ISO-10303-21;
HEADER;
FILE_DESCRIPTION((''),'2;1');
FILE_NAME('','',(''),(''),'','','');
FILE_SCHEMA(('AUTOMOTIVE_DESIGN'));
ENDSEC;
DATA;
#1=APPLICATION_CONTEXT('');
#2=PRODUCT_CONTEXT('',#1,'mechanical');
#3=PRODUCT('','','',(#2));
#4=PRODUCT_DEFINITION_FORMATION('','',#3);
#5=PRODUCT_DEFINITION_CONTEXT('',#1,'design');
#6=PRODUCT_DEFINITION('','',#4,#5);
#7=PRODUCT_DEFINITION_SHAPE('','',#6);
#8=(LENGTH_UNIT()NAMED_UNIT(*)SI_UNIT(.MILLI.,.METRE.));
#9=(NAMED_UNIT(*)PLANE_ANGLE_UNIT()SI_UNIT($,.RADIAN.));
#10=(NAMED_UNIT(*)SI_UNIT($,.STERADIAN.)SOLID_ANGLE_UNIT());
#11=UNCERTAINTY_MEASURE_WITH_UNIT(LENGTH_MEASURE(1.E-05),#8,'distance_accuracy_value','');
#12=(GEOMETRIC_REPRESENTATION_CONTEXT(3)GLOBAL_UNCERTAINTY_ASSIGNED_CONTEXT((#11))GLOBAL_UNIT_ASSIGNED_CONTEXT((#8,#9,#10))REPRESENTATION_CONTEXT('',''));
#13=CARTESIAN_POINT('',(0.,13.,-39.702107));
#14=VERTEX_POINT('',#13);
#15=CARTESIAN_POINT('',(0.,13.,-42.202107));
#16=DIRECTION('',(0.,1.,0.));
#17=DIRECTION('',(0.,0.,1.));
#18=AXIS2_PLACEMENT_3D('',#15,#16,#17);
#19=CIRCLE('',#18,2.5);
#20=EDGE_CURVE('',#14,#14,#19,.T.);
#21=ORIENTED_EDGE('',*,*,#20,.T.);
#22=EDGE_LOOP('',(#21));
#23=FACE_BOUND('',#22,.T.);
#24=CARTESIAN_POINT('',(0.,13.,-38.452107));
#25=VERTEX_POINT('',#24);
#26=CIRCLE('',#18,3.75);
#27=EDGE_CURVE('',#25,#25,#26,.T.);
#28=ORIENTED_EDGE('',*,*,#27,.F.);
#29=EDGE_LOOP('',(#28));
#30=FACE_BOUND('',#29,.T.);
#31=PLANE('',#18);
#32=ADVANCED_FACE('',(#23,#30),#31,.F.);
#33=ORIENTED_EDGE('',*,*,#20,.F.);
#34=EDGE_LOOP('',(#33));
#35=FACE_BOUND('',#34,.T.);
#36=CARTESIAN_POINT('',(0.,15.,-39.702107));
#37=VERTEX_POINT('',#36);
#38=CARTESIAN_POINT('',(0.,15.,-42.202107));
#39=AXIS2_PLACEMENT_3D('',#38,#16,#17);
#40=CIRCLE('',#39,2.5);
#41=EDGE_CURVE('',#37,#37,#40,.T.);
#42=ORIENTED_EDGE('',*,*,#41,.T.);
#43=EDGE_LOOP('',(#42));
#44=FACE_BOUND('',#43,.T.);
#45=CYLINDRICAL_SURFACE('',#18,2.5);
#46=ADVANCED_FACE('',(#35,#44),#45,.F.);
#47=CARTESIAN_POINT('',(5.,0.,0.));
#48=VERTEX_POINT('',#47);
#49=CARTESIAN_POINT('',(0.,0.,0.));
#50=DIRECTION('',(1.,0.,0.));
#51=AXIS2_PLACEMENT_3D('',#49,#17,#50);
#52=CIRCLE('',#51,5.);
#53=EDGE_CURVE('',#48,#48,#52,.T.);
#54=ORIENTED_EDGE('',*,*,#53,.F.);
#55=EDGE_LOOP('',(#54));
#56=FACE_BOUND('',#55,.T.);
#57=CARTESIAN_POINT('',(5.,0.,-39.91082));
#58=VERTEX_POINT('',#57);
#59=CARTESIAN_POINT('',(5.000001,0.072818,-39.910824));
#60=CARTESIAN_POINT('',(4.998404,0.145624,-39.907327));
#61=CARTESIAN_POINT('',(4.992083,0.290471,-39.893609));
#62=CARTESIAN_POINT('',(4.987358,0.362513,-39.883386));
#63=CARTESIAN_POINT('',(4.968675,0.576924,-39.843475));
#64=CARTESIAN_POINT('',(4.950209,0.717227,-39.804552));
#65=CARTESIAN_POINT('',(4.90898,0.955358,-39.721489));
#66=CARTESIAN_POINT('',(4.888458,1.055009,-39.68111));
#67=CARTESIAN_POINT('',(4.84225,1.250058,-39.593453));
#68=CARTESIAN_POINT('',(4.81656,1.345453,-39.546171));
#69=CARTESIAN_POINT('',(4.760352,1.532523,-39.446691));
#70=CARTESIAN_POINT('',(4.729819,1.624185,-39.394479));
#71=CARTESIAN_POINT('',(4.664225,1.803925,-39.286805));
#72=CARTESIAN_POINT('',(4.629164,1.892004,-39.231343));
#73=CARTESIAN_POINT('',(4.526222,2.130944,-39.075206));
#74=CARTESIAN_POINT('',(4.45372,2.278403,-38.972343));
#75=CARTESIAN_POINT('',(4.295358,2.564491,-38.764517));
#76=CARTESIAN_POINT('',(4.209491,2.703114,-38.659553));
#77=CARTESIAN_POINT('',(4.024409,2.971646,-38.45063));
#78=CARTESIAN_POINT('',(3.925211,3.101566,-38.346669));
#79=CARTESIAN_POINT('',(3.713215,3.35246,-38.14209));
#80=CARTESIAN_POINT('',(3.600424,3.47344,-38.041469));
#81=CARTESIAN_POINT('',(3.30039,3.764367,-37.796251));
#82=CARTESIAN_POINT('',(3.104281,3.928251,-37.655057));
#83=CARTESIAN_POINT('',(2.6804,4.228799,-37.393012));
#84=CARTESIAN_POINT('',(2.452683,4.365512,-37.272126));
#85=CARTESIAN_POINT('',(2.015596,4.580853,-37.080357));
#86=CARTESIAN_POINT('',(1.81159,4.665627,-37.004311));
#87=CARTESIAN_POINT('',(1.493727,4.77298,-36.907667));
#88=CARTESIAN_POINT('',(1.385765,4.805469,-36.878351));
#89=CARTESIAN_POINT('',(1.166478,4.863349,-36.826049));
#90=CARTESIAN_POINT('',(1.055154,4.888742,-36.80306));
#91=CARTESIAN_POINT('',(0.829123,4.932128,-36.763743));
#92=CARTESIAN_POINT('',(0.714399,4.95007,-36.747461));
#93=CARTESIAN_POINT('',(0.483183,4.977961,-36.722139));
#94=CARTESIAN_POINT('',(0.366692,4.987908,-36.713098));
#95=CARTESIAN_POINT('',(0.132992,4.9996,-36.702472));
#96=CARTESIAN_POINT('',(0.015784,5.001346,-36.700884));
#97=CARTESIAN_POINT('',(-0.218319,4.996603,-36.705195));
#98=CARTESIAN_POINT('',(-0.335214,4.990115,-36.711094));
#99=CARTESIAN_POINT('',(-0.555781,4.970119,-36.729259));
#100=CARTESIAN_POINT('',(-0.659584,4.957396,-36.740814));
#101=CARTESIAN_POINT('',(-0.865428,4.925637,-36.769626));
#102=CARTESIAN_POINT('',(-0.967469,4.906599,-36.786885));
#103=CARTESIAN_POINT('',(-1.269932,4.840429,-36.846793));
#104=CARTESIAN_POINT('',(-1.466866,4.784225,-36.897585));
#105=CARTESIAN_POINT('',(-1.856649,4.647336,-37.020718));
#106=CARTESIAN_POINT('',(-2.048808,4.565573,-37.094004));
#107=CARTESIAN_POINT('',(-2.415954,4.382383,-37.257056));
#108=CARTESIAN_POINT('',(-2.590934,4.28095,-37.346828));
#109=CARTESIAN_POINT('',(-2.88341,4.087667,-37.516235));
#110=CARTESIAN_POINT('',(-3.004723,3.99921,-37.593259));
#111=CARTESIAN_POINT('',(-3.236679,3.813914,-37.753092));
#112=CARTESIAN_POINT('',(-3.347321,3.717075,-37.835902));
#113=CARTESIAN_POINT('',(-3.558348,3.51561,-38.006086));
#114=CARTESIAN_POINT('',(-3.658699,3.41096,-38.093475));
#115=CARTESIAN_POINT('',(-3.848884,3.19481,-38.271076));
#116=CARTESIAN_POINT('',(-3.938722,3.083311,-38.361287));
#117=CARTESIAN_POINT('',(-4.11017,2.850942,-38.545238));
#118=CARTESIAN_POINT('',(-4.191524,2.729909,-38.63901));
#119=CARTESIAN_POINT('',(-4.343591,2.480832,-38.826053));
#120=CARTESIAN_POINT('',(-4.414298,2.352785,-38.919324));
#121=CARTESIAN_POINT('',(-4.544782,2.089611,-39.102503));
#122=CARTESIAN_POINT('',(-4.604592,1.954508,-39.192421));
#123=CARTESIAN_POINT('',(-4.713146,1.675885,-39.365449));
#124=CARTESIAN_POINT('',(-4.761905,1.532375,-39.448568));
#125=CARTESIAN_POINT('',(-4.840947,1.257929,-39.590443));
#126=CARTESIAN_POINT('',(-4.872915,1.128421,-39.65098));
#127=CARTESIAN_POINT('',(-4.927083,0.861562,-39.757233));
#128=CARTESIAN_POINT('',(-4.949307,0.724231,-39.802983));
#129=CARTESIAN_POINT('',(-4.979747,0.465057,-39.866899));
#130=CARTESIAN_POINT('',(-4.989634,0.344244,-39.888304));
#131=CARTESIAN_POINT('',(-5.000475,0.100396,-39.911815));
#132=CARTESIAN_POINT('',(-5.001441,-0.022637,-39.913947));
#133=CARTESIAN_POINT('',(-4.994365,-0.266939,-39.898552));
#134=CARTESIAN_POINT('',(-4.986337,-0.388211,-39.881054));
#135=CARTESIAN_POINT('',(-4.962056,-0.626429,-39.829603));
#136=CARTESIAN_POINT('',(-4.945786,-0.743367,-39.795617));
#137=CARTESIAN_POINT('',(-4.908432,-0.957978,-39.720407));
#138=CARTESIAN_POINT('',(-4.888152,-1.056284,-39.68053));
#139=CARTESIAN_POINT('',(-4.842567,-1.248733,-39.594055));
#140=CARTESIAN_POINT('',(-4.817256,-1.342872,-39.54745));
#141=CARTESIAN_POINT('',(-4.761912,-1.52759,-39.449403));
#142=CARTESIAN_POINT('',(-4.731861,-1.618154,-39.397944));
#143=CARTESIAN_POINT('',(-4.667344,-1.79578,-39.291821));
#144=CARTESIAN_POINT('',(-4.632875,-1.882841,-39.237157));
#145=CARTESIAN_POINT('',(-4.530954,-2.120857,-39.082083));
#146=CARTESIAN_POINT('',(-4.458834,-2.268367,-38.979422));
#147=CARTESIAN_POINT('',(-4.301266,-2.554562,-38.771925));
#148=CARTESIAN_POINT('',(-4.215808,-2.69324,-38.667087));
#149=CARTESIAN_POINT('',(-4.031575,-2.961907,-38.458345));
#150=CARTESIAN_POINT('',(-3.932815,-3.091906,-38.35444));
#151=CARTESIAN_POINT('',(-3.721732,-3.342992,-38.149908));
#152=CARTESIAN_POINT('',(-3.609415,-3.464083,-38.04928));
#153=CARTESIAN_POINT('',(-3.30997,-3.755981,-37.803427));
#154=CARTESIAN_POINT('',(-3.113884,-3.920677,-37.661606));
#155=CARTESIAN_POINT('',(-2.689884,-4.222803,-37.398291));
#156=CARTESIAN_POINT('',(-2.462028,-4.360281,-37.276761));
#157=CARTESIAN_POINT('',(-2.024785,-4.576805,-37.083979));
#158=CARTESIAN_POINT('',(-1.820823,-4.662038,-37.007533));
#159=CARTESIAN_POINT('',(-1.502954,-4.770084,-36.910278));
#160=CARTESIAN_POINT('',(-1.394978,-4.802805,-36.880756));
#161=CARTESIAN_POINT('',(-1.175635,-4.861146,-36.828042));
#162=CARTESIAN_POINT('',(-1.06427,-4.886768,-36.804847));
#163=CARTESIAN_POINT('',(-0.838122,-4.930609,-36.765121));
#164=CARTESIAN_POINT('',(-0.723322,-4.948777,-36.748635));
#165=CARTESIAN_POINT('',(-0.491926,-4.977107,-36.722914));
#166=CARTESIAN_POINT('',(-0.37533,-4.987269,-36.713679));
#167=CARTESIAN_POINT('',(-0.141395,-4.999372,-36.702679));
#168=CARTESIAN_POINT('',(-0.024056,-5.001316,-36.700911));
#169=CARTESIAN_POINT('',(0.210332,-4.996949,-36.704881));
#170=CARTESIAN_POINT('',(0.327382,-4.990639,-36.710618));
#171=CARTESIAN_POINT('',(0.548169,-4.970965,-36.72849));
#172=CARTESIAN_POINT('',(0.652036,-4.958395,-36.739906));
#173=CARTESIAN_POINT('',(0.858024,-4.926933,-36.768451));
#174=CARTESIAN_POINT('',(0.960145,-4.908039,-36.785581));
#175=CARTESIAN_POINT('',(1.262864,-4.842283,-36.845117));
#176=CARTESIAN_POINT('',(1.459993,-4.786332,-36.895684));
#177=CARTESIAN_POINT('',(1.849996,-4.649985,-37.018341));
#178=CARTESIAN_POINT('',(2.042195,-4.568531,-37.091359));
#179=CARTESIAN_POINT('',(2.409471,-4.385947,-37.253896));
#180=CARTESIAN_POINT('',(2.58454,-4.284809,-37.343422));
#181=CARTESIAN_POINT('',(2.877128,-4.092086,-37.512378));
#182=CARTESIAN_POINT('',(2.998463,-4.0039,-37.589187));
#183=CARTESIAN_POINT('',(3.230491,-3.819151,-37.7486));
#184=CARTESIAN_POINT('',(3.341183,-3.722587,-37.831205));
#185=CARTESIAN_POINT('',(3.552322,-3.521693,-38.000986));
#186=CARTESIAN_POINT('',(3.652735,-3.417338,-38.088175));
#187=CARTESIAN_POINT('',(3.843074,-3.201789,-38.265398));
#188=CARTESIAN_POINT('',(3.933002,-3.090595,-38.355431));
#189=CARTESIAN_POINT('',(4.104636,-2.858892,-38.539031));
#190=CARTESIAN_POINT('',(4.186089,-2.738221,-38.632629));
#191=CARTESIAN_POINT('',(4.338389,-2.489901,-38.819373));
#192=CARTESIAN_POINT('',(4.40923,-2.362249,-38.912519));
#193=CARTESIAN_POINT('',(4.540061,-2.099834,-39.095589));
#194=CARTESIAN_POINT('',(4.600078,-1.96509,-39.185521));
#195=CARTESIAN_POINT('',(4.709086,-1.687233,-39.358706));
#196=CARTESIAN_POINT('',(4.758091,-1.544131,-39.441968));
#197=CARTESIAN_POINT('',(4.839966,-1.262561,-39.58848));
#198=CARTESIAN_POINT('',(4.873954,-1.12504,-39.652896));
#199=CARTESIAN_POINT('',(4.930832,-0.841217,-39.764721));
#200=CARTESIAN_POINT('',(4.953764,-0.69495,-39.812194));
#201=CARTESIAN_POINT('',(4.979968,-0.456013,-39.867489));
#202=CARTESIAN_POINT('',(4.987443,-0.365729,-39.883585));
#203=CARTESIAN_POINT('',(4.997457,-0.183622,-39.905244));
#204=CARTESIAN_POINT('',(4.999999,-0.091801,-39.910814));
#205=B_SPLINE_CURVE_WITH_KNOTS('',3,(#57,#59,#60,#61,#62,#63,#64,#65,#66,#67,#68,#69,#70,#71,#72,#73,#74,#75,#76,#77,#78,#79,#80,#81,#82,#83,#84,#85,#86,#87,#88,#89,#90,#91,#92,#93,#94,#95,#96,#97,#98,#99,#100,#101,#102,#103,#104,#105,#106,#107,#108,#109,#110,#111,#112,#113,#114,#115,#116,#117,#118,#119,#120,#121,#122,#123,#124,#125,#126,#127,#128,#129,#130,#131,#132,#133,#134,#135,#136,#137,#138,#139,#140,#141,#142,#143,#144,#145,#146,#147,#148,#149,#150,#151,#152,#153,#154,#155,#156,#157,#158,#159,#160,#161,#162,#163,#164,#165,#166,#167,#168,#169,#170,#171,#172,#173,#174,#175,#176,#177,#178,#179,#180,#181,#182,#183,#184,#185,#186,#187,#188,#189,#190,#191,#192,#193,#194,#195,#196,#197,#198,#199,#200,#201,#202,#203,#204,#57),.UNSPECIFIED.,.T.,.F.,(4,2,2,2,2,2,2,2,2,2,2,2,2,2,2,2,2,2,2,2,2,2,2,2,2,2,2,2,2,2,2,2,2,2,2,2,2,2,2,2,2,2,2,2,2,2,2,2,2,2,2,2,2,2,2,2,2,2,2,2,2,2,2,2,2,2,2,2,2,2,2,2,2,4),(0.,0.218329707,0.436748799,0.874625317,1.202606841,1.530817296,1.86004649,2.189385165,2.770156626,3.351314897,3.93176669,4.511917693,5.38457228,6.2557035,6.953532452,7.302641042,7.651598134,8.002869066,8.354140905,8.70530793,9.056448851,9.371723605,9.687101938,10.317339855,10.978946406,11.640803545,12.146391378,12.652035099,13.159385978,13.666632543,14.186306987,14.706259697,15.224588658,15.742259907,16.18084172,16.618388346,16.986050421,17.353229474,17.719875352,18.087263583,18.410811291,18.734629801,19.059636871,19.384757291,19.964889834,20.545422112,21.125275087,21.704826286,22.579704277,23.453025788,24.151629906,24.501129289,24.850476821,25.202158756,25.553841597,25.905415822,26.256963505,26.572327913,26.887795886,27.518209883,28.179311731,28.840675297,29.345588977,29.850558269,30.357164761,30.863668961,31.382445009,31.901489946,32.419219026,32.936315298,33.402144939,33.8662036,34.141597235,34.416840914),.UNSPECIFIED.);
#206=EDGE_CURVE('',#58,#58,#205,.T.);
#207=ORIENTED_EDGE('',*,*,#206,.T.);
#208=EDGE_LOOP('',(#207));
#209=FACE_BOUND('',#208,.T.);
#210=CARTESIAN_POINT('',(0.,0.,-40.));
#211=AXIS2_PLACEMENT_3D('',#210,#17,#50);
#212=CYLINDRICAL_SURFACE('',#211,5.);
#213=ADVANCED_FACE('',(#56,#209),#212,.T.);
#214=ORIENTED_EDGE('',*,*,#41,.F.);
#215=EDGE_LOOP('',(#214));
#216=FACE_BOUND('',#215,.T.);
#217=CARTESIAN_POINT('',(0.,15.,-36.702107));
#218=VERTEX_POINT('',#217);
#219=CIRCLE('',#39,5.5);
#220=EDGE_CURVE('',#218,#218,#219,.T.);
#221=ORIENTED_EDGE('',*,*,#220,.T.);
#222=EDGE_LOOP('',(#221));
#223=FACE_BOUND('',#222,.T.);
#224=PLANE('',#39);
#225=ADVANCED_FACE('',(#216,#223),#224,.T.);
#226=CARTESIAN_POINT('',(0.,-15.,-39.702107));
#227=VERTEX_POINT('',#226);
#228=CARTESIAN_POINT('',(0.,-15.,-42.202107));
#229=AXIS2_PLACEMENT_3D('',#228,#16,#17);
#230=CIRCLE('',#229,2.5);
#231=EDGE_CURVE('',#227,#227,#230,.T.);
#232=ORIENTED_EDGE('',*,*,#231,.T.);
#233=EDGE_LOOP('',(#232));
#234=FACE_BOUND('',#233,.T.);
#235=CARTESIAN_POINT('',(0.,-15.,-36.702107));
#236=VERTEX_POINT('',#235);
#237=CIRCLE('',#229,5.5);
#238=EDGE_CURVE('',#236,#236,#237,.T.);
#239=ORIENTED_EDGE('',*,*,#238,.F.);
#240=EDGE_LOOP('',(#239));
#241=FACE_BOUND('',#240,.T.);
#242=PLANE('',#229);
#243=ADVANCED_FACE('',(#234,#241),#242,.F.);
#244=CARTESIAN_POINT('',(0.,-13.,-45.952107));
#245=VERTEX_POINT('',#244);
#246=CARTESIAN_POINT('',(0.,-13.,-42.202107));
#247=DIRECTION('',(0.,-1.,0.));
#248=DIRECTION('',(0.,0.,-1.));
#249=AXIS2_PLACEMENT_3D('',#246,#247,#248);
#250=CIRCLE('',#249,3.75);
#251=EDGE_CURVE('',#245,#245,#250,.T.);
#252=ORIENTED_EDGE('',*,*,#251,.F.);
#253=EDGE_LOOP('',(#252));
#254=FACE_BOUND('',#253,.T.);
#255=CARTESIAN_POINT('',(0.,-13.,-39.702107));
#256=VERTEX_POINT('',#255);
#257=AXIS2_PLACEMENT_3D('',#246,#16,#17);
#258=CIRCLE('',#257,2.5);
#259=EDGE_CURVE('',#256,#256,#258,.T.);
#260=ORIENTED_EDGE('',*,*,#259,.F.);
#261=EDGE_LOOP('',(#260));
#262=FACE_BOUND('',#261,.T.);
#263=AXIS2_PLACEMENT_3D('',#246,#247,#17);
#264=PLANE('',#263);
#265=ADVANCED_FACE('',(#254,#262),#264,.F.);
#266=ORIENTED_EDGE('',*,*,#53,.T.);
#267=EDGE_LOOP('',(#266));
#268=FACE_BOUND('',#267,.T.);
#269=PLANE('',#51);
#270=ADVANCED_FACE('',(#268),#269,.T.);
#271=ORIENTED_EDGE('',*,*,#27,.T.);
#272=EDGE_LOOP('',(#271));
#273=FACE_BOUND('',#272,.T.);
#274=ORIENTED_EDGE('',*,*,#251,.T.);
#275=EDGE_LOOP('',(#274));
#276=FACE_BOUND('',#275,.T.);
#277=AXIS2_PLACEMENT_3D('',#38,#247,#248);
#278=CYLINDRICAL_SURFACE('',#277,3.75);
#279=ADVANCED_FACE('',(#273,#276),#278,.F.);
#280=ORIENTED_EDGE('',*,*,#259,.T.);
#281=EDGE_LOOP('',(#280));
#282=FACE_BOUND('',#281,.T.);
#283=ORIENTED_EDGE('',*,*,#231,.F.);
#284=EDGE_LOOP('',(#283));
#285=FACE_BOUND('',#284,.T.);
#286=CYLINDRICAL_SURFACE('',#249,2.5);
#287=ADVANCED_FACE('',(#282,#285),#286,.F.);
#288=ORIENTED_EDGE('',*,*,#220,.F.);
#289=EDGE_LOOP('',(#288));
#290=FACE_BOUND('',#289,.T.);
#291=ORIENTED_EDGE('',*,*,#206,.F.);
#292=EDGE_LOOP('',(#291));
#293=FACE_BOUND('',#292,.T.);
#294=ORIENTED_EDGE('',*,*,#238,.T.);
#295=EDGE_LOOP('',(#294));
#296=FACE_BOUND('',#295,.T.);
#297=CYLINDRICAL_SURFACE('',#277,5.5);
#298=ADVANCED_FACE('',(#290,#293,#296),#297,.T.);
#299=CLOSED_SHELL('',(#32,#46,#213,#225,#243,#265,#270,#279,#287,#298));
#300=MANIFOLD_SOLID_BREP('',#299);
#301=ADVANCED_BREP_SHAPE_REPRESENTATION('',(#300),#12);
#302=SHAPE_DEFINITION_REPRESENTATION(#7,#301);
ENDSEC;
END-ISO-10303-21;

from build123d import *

# Parameters (mm, degrees)
CROQUIS1_R              = 5
SALIENTE_EXTRUIR1_DEPTH = 40
CROQUIS2_R              = 5.5
CROQUIS2_R_2            = 3.75
SALIENTE_EXTRUIR2_DEPTH = 15
CORTAR_EXTRUIR1_START   = -30
CROQUIS3_R              = 3.75
CORTAR_EXTRUIR1_DEPTH   = 30
CROQUIS4_R              = 5.5
CROQUIS4_R_2            = 2.5
SALIENTE_EXTRUIR3_DEPTH = 2


with BuildPart() as part:
    # Croquis1 → Saliente-Extruir1 (new body)
    with BuildSketch(Plane.XY):
        Circle(CROQUIS1_R)
    extrude(amount=-SALIENTE_EXTRUIR1_DEPTH)

    # Croquis2 → Saliente-Extruir2 (add, symmetric)
    with BuildSketch(Plane(origin=(0, 0, 0), x_dir=(1, 0, 0), z_dir=(0, 1, 0))):
        with Locations(Location((0, 42.202107472, 0), (0, 0, 270))):
            Circle(CROQUIS2_R)
        with Locations(Location((0, 42.202107472, 0), (0, 0, 270))):
            Circle(CROQUIS2_R_2, mode=Mode.SUBTRACT)
    extrude(amount=SALIENTE_EXTRUIR2_DEPTH, both=True)

    # Croquis3 → Cortar-Extruir1 (cut)
    with BuildSketch(Plane(origin=(0, 15, 0), x_dir=(1, 0, 0), z_dir=(0, 1, 0)).offset(CORTAR_EXTRUIR1_START)):
        with Locations(Location((0, 42.202107472, 0), (0, 0, 270))):
            Circle(CROQUIS3_R)
    extrude(amount=CORTAR_EXTRUIR1_DEPTH, mode=Mode.SUBTRACT)

    # Croquis4 → Saliente-Extruir3 (add)
    with BuildSketch(Plane(origin=(0, 15, 0), x_dir=(1, 0, 0), z_dir=(0, 1, 0))):
        with Locations(Location((0, 42.202107472, 0), (0, 0, 270))):
            Circle(CROQUIS4_R)
        with Locations(Location((0, 42.202107472, 0), (0, 0, 270))):
            Circle(CROQUIS4_R_2, mode=Mode.SUBTRACT)
    saliente_extruir3 = extrude(amount=-SALIENTE_EXTRUIR3_DEPTH)

    # Simetría1: Saliente-Extruir3 across plane
    add(saliente_extruir3.mirror(Plane.ZX))


solid = part.part
